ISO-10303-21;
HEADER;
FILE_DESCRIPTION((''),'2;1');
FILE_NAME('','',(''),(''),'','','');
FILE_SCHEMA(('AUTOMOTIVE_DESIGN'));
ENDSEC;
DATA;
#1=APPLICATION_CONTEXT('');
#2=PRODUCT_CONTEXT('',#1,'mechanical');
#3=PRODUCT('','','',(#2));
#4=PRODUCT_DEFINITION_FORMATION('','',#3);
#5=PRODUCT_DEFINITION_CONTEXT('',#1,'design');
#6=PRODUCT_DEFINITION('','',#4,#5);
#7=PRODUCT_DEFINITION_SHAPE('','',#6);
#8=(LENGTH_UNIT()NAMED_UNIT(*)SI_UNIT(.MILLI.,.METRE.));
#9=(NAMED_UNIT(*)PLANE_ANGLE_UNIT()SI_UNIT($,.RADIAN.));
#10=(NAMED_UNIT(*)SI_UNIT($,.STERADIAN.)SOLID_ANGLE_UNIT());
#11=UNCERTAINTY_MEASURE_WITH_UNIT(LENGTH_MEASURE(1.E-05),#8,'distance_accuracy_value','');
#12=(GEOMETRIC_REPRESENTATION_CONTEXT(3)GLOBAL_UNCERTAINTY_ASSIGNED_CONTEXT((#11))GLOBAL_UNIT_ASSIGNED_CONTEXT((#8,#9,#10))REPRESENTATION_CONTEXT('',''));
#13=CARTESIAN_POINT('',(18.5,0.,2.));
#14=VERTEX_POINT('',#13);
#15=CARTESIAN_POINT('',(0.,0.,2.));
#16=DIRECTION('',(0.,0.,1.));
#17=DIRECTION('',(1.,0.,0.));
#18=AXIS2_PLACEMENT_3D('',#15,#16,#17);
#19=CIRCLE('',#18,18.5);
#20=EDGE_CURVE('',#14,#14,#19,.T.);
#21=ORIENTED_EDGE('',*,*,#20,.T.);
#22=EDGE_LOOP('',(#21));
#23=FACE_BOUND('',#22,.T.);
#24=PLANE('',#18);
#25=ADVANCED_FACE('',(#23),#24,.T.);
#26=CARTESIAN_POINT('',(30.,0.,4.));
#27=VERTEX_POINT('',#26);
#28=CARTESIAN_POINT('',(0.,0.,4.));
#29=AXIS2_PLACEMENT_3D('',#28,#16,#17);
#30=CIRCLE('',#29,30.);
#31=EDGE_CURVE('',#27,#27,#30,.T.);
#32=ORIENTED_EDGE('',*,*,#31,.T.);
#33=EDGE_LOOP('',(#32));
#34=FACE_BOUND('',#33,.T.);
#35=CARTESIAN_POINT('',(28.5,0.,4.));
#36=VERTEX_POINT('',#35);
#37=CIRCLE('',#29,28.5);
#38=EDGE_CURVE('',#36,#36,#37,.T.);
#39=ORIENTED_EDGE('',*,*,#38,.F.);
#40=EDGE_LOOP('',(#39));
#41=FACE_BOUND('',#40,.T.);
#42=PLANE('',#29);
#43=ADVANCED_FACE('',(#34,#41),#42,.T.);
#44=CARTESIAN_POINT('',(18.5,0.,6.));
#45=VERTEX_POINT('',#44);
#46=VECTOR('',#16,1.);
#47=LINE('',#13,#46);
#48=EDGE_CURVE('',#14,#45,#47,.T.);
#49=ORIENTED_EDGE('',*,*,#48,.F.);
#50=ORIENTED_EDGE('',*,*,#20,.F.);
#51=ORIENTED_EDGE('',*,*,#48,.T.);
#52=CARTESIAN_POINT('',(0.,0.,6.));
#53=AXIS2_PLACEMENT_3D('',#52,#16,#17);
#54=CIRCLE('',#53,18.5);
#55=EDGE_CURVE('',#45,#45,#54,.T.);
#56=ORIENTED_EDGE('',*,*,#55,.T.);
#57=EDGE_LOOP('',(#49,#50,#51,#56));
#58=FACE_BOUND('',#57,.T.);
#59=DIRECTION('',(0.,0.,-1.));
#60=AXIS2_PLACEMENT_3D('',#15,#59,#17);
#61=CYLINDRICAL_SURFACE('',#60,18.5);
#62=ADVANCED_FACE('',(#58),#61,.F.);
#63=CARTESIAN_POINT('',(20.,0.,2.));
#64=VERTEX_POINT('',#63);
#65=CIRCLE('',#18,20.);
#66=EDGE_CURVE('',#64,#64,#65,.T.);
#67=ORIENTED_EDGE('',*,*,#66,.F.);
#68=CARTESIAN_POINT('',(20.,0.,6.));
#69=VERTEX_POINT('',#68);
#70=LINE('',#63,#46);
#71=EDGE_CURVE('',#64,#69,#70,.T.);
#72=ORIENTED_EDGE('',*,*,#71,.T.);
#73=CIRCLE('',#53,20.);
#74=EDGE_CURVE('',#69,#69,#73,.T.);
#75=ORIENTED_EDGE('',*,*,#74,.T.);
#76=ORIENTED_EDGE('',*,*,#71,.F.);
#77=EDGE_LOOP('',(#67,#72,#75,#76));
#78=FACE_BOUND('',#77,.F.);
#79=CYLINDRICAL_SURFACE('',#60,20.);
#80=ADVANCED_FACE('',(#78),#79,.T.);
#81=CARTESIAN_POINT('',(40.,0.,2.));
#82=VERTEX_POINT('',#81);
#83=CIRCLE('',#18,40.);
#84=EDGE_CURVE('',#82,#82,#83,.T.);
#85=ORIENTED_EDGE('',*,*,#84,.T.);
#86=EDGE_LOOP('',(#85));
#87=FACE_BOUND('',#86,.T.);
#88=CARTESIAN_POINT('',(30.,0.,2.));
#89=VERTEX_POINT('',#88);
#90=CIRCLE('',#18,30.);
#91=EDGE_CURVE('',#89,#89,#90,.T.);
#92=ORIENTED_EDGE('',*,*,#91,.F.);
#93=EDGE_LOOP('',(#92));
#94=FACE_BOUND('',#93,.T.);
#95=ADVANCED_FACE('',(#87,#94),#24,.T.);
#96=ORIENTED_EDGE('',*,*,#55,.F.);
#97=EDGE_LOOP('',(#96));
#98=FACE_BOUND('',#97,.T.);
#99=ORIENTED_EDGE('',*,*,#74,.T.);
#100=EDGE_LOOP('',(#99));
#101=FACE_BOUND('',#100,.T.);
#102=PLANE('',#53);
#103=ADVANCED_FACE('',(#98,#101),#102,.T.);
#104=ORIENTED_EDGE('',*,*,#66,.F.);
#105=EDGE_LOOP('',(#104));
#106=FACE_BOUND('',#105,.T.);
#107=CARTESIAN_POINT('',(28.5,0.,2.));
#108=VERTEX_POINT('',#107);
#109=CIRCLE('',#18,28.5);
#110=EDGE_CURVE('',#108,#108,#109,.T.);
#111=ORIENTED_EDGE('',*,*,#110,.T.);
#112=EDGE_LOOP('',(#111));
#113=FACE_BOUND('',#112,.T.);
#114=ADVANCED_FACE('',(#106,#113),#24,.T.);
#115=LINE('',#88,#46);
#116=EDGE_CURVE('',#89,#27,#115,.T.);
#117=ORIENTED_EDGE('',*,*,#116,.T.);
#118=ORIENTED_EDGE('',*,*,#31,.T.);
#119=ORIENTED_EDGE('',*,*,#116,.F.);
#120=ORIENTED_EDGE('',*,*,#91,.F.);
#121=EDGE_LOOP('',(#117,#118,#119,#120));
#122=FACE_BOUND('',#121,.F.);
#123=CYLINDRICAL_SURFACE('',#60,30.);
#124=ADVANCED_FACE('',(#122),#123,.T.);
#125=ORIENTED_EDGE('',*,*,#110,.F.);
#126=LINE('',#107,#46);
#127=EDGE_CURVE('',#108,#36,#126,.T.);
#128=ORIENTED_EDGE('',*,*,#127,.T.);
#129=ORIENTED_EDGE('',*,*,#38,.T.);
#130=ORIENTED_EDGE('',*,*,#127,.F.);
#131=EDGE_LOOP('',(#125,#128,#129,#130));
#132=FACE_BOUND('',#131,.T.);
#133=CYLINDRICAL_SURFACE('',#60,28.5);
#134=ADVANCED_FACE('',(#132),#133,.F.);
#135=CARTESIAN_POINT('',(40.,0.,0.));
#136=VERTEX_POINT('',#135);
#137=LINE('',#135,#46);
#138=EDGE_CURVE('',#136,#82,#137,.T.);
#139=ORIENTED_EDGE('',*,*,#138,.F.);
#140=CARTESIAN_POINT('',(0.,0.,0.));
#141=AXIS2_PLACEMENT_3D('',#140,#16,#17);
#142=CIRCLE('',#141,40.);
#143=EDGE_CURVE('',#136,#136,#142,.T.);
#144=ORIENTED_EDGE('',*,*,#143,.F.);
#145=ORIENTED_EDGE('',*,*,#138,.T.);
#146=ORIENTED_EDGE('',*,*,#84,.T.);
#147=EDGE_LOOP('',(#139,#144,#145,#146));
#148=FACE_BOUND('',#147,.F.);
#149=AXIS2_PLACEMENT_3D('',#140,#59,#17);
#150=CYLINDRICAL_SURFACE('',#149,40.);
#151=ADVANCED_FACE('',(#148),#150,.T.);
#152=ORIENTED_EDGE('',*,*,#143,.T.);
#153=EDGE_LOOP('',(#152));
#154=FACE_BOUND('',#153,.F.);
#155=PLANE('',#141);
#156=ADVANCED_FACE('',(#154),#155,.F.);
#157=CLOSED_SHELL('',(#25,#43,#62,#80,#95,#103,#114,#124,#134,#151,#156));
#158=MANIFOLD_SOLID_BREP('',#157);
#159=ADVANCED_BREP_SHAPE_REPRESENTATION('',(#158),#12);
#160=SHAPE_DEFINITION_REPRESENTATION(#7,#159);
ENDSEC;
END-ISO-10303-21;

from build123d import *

# Parameters (mm, degrees)
F0_R     = 40
F1_DEPTH = 2
F2_R     = 30
F2_R_2   = 28.5
F3_DEPTH = 2
F4_R     = 20
F4_R_2   = 18.5
F5_DEPTH = 4


with BuildPart() as f1:
    # F0 (on Top) → F1 (new body)
    with BuildSketch(Plane.XY):
        Circle(F0_R)
    extrude(amount=F1_DEPTH)

    # F2 (on face) → F3 (join)
    with BuildSketch(Plane.XY.offset(2)):
        Circle(F2_R)
        Circle(F2_R_2, mode=Mode.SUBTRACT)
    extrude(amount=F3_DEPTH)

    # F4 (on face) → F5 (join)
    with BuildSketch(Plane.XY.offset(2)):
        Circle(F4_R)
        Circle(F4_R_2, mode=Mode.SUBTRACT)
    extrude(amount=F5_DEPTH)


solid = f1.part
